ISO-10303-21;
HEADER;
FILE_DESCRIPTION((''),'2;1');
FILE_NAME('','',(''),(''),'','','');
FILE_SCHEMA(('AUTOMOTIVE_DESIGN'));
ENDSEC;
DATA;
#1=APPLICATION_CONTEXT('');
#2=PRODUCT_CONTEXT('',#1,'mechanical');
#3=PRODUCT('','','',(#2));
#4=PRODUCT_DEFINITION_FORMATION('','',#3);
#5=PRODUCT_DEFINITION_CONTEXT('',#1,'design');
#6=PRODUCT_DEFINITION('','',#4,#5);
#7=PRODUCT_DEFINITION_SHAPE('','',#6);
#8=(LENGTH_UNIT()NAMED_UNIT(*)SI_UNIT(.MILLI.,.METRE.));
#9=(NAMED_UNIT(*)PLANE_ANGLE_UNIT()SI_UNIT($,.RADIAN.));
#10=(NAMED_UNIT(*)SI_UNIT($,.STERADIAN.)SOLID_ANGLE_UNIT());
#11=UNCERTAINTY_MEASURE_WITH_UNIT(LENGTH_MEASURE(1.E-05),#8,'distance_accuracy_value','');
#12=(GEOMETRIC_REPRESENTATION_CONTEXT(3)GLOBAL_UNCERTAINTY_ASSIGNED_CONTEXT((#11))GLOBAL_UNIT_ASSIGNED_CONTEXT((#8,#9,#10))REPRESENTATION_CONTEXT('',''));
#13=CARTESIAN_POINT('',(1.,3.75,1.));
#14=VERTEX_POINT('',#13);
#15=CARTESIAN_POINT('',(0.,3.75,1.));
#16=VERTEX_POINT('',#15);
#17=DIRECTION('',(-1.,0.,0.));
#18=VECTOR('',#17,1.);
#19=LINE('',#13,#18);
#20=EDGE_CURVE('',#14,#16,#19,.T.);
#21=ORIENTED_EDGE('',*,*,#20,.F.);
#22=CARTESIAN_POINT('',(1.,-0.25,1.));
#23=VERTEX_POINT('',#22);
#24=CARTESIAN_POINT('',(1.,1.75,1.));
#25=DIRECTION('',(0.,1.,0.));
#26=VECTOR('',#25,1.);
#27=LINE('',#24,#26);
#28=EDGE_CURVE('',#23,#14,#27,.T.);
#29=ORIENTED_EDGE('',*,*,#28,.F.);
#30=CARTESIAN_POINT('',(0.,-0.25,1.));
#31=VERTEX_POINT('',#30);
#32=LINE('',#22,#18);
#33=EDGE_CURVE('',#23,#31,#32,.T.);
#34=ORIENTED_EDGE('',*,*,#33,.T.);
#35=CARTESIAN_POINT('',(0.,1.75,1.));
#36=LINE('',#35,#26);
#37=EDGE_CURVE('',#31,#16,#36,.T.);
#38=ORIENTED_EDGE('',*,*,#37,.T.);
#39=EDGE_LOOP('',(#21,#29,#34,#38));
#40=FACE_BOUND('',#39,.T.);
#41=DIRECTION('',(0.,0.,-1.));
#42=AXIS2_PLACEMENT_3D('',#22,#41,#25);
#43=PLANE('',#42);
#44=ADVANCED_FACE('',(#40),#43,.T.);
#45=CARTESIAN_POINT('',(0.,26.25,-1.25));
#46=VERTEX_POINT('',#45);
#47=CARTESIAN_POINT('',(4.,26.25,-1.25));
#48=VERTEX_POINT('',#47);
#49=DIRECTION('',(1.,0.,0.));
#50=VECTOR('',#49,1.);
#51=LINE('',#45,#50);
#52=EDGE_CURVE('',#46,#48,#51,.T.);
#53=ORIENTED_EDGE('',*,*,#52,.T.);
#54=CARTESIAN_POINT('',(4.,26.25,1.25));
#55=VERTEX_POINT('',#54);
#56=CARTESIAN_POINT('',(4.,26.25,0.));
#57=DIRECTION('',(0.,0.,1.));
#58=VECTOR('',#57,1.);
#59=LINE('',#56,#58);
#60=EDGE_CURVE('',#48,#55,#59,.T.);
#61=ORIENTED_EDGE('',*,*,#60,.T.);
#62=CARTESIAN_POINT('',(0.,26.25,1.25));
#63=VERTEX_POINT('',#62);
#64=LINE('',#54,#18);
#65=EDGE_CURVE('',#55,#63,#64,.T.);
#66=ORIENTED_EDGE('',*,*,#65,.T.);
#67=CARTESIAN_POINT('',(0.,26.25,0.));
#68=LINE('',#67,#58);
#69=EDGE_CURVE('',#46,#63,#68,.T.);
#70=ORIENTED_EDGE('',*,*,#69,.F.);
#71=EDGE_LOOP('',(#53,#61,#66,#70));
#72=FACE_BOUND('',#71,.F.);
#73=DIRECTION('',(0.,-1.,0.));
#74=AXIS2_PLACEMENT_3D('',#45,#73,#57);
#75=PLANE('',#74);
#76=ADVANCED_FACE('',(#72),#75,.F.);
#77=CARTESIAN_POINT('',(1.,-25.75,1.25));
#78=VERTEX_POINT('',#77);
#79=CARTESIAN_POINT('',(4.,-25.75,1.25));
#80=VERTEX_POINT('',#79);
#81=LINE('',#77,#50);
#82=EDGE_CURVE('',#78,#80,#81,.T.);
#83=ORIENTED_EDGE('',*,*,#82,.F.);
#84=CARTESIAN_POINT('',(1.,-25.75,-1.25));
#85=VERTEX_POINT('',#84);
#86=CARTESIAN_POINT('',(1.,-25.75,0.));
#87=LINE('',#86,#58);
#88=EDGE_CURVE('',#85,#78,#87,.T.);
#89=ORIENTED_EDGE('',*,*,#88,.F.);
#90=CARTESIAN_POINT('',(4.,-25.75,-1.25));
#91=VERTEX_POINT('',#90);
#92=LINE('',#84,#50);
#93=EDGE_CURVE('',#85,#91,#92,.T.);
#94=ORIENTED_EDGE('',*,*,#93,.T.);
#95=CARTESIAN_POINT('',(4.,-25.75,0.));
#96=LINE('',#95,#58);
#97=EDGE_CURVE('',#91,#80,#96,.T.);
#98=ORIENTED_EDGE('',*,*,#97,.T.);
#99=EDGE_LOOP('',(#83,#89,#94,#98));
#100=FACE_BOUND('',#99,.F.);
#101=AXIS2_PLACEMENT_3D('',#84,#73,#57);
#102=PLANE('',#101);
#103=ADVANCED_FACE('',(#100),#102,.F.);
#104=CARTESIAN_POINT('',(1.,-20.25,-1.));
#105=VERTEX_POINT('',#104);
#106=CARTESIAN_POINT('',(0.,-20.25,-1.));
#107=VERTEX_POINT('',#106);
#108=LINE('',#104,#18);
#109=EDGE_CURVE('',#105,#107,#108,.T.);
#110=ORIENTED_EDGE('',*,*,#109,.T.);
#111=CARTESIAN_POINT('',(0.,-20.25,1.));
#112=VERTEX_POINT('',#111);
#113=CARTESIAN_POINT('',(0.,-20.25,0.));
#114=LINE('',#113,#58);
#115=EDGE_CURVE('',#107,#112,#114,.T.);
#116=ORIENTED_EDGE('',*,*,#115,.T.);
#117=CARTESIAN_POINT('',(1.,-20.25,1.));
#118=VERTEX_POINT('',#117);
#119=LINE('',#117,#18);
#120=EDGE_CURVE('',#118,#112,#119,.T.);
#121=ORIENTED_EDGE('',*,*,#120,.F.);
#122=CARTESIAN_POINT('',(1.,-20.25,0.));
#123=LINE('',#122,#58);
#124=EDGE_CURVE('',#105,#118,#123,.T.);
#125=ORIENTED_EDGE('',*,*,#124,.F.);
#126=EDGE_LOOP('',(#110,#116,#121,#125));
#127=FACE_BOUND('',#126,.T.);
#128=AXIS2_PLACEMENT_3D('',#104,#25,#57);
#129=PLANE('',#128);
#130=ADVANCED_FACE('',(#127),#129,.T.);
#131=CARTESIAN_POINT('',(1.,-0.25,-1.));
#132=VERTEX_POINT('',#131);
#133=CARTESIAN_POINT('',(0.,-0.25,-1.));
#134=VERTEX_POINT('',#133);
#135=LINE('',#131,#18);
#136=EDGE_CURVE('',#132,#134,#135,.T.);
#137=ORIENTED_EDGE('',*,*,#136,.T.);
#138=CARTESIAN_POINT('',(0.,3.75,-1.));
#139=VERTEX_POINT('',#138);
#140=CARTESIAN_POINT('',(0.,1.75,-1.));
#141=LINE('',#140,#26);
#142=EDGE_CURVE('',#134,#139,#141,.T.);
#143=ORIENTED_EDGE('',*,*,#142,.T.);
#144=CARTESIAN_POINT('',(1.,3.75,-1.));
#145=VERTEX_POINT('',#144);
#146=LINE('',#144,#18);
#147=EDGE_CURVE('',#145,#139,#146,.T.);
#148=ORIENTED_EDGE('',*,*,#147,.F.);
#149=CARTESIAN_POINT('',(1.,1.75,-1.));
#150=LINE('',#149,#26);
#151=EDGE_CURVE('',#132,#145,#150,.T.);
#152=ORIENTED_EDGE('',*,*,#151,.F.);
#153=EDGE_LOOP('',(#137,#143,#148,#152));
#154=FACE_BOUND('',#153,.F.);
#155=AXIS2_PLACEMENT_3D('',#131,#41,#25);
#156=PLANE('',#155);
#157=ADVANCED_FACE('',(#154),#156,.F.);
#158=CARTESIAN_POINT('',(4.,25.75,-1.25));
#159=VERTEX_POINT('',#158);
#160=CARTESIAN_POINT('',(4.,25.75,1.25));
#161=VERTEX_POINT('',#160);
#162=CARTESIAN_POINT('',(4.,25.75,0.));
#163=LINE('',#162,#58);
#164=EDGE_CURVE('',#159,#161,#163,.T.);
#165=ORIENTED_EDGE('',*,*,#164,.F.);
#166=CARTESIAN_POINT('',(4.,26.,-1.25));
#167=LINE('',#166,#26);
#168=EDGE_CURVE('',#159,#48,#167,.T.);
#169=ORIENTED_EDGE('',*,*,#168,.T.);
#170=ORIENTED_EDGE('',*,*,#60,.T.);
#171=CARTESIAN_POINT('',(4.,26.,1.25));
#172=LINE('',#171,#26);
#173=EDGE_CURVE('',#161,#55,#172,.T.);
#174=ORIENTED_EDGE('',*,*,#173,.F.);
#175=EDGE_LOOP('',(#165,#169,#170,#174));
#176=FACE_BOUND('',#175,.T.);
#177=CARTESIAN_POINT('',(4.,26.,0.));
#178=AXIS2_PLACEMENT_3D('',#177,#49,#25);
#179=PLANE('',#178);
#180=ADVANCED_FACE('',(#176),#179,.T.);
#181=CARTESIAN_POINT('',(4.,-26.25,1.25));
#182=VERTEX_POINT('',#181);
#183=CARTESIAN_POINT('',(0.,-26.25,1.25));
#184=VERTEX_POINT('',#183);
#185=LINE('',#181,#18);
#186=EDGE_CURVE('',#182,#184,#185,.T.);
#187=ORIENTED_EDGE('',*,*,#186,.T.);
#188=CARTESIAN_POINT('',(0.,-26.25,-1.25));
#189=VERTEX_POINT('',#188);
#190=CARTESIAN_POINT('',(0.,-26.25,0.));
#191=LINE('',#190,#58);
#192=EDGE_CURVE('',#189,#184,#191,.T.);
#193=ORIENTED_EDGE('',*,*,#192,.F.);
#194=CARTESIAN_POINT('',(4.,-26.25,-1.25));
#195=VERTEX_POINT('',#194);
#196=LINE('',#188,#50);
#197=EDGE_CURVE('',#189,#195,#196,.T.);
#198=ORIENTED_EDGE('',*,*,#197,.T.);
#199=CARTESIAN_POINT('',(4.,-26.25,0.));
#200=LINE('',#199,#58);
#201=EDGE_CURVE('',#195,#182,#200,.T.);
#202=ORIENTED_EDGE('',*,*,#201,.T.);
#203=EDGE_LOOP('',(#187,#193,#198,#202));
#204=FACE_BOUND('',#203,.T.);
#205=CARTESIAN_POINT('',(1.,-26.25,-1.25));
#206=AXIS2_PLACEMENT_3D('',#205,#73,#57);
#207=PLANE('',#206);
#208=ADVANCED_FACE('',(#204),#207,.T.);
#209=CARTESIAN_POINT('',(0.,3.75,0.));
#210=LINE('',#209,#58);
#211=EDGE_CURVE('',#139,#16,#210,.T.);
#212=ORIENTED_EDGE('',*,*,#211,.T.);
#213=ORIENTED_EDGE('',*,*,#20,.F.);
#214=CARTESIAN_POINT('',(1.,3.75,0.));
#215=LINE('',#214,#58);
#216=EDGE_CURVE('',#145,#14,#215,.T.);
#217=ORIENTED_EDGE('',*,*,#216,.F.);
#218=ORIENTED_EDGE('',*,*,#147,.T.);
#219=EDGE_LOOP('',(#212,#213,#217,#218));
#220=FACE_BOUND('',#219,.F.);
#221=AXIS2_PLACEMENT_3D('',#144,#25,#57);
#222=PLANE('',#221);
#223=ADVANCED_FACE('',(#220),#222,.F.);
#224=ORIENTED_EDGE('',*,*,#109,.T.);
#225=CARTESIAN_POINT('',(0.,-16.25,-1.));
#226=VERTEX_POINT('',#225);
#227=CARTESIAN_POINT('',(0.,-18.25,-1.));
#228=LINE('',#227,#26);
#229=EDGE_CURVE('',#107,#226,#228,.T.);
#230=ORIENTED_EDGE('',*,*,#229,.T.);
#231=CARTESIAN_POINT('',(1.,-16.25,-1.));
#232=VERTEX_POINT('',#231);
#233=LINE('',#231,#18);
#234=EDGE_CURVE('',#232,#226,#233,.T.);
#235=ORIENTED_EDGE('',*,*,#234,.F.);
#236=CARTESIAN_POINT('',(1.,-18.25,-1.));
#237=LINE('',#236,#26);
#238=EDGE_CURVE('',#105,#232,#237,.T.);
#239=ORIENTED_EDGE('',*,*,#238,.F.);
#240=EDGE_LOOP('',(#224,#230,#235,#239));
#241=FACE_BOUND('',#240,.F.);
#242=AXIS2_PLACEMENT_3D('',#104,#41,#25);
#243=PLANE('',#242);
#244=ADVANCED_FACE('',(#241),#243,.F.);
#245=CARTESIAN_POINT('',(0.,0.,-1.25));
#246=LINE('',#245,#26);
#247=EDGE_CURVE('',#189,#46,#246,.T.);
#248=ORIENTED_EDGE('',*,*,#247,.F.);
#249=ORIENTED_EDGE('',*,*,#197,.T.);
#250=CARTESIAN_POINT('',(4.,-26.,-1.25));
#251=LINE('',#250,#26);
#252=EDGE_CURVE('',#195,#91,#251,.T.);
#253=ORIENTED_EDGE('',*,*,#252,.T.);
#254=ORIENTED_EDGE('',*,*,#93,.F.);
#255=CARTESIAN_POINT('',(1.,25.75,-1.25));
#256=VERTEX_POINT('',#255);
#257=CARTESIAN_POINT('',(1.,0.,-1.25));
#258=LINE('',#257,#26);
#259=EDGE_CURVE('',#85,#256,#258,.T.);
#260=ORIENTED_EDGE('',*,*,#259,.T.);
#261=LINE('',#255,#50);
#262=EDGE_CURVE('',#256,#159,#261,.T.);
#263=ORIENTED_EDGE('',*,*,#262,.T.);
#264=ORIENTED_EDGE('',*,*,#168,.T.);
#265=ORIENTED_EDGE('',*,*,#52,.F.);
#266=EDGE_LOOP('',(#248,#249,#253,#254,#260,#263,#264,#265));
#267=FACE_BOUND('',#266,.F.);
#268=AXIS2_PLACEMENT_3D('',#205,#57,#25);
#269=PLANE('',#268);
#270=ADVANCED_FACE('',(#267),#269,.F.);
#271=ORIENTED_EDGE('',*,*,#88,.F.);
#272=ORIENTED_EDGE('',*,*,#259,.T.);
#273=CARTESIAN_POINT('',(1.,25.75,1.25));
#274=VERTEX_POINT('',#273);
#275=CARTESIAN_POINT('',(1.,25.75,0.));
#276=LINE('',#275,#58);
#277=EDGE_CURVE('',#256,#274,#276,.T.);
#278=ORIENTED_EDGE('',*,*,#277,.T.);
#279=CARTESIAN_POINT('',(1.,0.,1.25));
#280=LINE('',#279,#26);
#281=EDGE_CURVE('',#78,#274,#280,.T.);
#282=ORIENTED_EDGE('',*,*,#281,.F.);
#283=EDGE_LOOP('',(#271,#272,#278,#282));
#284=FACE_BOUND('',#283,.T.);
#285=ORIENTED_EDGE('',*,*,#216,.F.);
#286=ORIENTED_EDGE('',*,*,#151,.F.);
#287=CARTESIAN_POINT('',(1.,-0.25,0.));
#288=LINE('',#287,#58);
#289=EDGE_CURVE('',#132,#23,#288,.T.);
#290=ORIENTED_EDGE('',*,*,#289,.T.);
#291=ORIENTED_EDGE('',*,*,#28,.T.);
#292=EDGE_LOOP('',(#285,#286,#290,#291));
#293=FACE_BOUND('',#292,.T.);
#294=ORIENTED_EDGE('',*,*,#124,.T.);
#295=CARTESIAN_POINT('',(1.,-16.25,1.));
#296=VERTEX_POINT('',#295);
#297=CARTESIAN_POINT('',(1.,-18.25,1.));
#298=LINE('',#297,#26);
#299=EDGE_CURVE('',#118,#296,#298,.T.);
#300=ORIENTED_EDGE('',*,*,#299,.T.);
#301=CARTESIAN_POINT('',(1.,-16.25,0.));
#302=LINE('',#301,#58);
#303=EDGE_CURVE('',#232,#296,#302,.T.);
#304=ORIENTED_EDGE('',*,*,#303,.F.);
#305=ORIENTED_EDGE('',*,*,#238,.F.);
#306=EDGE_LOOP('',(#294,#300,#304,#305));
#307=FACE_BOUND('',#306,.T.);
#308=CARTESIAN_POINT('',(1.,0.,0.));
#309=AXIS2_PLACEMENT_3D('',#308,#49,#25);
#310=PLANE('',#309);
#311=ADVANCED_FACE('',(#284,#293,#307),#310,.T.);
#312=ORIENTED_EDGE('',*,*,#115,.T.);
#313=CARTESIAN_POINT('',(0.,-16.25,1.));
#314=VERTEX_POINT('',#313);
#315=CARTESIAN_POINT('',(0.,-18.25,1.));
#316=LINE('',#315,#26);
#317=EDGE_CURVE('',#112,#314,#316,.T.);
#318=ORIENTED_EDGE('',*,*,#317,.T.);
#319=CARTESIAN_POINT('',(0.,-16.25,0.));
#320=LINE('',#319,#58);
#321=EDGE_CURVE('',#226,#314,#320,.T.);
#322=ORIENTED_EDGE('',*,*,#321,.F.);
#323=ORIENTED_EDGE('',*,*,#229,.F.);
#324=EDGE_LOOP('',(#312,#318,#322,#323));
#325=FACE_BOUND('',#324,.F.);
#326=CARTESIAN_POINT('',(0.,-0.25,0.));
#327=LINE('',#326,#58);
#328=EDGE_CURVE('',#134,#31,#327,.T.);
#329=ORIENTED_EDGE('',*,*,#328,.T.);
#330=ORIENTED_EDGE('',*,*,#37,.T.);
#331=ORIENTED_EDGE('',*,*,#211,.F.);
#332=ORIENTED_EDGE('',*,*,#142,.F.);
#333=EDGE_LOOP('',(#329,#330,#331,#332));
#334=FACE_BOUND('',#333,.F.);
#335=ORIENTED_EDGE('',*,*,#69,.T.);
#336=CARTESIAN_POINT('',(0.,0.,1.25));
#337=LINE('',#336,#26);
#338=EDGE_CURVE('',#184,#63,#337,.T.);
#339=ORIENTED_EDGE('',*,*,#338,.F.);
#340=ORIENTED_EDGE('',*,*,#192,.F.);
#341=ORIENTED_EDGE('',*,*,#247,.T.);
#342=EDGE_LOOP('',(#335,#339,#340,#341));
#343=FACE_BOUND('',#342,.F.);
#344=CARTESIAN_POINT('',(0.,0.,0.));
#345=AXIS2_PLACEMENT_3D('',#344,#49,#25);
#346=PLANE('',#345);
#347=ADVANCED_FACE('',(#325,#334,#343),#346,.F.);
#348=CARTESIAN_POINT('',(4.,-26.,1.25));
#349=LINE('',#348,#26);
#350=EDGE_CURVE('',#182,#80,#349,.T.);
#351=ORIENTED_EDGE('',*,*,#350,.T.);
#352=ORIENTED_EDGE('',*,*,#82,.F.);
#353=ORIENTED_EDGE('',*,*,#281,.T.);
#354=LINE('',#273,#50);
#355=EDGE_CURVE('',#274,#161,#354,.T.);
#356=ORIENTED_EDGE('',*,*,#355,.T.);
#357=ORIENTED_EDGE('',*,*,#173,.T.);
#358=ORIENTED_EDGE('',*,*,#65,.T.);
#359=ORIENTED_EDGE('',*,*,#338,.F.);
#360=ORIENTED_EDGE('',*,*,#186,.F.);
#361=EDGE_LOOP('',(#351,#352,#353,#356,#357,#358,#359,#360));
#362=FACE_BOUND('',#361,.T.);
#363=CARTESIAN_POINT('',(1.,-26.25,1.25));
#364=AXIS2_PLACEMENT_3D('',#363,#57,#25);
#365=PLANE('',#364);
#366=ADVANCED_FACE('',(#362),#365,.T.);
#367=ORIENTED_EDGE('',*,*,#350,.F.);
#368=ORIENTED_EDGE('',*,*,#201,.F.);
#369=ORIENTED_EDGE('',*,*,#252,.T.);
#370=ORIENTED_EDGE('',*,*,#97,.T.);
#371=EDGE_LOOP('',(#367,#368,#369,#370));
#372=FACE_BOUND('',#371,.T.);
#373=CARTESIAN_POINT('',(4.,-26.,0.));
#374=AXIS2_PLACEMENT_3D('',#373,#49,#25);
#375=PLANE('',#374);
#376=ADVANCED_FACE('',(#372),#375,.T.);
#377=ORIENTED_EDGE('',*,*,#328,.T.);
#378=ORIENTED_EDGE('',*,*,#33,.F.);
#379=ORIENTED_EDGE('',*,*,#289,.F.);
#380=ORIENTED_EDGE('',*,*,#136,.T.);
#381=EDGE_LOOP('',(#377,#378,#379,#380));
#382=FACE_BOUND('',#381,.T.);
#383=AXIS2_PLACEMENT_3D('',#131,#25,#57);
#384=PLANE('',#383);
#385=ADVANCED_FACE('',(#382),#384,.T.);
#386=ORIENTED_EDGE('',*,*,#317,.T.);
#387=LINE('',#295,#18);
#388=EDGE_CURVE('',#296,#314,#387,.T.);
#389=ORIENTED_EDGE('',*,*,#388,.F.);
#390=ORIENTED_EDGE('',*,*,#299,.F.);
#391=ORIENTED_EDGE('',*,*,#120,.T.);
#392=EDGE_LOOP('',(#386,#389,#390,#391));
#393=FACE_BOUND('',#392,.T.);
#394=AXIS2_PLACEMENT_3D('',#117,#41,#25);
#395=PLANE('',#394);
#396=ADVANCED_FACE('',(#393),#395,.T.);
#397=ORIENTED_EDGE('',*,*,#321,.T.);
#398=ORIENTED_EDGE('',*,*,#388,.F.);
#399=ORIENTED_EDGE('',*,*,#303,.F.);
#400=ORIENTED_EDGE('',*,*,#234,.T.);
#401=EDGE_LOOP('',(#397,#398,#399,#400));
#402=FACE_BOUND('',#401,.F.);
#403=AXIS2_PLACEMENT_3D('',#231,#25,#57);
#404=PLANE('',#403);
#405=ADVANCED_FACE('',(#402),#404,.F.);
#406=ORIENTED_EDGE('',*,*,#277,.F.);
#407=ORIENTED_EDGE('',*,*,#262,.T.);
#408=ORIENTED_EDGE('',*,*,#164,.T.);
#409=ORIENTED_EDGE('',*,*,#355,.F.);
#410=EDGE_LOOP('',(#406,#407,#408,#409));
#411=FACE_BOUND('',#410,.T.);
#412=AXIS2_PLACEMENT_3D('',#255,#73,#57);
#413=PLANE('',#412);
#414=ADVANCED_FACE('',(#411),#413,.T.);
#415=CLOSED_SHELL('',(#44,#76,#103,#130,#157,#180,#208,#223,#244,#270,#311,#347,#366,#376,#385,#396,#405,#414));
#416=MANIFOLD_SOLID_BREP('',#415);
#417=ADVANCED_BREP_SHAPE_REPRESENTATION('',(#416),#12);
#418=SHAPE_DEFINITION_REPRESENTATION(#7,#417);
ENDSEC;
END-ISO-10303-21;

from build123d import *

# Parameters (mm, degrees)
F0_W     = 52.5
F0_H     = 2.5
F1_DEPTH = 1
F2_W     = 0.5
F2_H     = 2.5
F3_DEPTH = 3
F4_W     = 4
F4_H     = 2
F5_DEPTH = 1


with BuildPart() as f1:
    # F0 (on Right) → F1 (new body)
    with BuildSketch(Plane.YZ):
        Rectangle(F0_W, F0_H)
    extrude(amount=F1_DEPTH)

    # F2 (on face) → F3 (join)
    with BuildSketch(Plane.YZ.offset(1)):
        with Locations((-26, 0)):
            Rectangle(F2_W, F2_H)
        with Locations((26, 0)):
            Rectangle(F2_W, F2_H)
    extrude(amount=F3_DEPTH)

    # F4 (on face) → F5 (cut, through all)
    with BuildSketch(Plane.YZ.offset(1)):
        with Locations((-18.25, 0)):
            Rectangle(F4_W, F4_H)
        with Locations((1.75, 0)):
            Rectangle(F4_W, F4_H)
    extrude(amount=-F5_DEPTH, mode=Mode.SUBTRACT)


solid = f1.part
